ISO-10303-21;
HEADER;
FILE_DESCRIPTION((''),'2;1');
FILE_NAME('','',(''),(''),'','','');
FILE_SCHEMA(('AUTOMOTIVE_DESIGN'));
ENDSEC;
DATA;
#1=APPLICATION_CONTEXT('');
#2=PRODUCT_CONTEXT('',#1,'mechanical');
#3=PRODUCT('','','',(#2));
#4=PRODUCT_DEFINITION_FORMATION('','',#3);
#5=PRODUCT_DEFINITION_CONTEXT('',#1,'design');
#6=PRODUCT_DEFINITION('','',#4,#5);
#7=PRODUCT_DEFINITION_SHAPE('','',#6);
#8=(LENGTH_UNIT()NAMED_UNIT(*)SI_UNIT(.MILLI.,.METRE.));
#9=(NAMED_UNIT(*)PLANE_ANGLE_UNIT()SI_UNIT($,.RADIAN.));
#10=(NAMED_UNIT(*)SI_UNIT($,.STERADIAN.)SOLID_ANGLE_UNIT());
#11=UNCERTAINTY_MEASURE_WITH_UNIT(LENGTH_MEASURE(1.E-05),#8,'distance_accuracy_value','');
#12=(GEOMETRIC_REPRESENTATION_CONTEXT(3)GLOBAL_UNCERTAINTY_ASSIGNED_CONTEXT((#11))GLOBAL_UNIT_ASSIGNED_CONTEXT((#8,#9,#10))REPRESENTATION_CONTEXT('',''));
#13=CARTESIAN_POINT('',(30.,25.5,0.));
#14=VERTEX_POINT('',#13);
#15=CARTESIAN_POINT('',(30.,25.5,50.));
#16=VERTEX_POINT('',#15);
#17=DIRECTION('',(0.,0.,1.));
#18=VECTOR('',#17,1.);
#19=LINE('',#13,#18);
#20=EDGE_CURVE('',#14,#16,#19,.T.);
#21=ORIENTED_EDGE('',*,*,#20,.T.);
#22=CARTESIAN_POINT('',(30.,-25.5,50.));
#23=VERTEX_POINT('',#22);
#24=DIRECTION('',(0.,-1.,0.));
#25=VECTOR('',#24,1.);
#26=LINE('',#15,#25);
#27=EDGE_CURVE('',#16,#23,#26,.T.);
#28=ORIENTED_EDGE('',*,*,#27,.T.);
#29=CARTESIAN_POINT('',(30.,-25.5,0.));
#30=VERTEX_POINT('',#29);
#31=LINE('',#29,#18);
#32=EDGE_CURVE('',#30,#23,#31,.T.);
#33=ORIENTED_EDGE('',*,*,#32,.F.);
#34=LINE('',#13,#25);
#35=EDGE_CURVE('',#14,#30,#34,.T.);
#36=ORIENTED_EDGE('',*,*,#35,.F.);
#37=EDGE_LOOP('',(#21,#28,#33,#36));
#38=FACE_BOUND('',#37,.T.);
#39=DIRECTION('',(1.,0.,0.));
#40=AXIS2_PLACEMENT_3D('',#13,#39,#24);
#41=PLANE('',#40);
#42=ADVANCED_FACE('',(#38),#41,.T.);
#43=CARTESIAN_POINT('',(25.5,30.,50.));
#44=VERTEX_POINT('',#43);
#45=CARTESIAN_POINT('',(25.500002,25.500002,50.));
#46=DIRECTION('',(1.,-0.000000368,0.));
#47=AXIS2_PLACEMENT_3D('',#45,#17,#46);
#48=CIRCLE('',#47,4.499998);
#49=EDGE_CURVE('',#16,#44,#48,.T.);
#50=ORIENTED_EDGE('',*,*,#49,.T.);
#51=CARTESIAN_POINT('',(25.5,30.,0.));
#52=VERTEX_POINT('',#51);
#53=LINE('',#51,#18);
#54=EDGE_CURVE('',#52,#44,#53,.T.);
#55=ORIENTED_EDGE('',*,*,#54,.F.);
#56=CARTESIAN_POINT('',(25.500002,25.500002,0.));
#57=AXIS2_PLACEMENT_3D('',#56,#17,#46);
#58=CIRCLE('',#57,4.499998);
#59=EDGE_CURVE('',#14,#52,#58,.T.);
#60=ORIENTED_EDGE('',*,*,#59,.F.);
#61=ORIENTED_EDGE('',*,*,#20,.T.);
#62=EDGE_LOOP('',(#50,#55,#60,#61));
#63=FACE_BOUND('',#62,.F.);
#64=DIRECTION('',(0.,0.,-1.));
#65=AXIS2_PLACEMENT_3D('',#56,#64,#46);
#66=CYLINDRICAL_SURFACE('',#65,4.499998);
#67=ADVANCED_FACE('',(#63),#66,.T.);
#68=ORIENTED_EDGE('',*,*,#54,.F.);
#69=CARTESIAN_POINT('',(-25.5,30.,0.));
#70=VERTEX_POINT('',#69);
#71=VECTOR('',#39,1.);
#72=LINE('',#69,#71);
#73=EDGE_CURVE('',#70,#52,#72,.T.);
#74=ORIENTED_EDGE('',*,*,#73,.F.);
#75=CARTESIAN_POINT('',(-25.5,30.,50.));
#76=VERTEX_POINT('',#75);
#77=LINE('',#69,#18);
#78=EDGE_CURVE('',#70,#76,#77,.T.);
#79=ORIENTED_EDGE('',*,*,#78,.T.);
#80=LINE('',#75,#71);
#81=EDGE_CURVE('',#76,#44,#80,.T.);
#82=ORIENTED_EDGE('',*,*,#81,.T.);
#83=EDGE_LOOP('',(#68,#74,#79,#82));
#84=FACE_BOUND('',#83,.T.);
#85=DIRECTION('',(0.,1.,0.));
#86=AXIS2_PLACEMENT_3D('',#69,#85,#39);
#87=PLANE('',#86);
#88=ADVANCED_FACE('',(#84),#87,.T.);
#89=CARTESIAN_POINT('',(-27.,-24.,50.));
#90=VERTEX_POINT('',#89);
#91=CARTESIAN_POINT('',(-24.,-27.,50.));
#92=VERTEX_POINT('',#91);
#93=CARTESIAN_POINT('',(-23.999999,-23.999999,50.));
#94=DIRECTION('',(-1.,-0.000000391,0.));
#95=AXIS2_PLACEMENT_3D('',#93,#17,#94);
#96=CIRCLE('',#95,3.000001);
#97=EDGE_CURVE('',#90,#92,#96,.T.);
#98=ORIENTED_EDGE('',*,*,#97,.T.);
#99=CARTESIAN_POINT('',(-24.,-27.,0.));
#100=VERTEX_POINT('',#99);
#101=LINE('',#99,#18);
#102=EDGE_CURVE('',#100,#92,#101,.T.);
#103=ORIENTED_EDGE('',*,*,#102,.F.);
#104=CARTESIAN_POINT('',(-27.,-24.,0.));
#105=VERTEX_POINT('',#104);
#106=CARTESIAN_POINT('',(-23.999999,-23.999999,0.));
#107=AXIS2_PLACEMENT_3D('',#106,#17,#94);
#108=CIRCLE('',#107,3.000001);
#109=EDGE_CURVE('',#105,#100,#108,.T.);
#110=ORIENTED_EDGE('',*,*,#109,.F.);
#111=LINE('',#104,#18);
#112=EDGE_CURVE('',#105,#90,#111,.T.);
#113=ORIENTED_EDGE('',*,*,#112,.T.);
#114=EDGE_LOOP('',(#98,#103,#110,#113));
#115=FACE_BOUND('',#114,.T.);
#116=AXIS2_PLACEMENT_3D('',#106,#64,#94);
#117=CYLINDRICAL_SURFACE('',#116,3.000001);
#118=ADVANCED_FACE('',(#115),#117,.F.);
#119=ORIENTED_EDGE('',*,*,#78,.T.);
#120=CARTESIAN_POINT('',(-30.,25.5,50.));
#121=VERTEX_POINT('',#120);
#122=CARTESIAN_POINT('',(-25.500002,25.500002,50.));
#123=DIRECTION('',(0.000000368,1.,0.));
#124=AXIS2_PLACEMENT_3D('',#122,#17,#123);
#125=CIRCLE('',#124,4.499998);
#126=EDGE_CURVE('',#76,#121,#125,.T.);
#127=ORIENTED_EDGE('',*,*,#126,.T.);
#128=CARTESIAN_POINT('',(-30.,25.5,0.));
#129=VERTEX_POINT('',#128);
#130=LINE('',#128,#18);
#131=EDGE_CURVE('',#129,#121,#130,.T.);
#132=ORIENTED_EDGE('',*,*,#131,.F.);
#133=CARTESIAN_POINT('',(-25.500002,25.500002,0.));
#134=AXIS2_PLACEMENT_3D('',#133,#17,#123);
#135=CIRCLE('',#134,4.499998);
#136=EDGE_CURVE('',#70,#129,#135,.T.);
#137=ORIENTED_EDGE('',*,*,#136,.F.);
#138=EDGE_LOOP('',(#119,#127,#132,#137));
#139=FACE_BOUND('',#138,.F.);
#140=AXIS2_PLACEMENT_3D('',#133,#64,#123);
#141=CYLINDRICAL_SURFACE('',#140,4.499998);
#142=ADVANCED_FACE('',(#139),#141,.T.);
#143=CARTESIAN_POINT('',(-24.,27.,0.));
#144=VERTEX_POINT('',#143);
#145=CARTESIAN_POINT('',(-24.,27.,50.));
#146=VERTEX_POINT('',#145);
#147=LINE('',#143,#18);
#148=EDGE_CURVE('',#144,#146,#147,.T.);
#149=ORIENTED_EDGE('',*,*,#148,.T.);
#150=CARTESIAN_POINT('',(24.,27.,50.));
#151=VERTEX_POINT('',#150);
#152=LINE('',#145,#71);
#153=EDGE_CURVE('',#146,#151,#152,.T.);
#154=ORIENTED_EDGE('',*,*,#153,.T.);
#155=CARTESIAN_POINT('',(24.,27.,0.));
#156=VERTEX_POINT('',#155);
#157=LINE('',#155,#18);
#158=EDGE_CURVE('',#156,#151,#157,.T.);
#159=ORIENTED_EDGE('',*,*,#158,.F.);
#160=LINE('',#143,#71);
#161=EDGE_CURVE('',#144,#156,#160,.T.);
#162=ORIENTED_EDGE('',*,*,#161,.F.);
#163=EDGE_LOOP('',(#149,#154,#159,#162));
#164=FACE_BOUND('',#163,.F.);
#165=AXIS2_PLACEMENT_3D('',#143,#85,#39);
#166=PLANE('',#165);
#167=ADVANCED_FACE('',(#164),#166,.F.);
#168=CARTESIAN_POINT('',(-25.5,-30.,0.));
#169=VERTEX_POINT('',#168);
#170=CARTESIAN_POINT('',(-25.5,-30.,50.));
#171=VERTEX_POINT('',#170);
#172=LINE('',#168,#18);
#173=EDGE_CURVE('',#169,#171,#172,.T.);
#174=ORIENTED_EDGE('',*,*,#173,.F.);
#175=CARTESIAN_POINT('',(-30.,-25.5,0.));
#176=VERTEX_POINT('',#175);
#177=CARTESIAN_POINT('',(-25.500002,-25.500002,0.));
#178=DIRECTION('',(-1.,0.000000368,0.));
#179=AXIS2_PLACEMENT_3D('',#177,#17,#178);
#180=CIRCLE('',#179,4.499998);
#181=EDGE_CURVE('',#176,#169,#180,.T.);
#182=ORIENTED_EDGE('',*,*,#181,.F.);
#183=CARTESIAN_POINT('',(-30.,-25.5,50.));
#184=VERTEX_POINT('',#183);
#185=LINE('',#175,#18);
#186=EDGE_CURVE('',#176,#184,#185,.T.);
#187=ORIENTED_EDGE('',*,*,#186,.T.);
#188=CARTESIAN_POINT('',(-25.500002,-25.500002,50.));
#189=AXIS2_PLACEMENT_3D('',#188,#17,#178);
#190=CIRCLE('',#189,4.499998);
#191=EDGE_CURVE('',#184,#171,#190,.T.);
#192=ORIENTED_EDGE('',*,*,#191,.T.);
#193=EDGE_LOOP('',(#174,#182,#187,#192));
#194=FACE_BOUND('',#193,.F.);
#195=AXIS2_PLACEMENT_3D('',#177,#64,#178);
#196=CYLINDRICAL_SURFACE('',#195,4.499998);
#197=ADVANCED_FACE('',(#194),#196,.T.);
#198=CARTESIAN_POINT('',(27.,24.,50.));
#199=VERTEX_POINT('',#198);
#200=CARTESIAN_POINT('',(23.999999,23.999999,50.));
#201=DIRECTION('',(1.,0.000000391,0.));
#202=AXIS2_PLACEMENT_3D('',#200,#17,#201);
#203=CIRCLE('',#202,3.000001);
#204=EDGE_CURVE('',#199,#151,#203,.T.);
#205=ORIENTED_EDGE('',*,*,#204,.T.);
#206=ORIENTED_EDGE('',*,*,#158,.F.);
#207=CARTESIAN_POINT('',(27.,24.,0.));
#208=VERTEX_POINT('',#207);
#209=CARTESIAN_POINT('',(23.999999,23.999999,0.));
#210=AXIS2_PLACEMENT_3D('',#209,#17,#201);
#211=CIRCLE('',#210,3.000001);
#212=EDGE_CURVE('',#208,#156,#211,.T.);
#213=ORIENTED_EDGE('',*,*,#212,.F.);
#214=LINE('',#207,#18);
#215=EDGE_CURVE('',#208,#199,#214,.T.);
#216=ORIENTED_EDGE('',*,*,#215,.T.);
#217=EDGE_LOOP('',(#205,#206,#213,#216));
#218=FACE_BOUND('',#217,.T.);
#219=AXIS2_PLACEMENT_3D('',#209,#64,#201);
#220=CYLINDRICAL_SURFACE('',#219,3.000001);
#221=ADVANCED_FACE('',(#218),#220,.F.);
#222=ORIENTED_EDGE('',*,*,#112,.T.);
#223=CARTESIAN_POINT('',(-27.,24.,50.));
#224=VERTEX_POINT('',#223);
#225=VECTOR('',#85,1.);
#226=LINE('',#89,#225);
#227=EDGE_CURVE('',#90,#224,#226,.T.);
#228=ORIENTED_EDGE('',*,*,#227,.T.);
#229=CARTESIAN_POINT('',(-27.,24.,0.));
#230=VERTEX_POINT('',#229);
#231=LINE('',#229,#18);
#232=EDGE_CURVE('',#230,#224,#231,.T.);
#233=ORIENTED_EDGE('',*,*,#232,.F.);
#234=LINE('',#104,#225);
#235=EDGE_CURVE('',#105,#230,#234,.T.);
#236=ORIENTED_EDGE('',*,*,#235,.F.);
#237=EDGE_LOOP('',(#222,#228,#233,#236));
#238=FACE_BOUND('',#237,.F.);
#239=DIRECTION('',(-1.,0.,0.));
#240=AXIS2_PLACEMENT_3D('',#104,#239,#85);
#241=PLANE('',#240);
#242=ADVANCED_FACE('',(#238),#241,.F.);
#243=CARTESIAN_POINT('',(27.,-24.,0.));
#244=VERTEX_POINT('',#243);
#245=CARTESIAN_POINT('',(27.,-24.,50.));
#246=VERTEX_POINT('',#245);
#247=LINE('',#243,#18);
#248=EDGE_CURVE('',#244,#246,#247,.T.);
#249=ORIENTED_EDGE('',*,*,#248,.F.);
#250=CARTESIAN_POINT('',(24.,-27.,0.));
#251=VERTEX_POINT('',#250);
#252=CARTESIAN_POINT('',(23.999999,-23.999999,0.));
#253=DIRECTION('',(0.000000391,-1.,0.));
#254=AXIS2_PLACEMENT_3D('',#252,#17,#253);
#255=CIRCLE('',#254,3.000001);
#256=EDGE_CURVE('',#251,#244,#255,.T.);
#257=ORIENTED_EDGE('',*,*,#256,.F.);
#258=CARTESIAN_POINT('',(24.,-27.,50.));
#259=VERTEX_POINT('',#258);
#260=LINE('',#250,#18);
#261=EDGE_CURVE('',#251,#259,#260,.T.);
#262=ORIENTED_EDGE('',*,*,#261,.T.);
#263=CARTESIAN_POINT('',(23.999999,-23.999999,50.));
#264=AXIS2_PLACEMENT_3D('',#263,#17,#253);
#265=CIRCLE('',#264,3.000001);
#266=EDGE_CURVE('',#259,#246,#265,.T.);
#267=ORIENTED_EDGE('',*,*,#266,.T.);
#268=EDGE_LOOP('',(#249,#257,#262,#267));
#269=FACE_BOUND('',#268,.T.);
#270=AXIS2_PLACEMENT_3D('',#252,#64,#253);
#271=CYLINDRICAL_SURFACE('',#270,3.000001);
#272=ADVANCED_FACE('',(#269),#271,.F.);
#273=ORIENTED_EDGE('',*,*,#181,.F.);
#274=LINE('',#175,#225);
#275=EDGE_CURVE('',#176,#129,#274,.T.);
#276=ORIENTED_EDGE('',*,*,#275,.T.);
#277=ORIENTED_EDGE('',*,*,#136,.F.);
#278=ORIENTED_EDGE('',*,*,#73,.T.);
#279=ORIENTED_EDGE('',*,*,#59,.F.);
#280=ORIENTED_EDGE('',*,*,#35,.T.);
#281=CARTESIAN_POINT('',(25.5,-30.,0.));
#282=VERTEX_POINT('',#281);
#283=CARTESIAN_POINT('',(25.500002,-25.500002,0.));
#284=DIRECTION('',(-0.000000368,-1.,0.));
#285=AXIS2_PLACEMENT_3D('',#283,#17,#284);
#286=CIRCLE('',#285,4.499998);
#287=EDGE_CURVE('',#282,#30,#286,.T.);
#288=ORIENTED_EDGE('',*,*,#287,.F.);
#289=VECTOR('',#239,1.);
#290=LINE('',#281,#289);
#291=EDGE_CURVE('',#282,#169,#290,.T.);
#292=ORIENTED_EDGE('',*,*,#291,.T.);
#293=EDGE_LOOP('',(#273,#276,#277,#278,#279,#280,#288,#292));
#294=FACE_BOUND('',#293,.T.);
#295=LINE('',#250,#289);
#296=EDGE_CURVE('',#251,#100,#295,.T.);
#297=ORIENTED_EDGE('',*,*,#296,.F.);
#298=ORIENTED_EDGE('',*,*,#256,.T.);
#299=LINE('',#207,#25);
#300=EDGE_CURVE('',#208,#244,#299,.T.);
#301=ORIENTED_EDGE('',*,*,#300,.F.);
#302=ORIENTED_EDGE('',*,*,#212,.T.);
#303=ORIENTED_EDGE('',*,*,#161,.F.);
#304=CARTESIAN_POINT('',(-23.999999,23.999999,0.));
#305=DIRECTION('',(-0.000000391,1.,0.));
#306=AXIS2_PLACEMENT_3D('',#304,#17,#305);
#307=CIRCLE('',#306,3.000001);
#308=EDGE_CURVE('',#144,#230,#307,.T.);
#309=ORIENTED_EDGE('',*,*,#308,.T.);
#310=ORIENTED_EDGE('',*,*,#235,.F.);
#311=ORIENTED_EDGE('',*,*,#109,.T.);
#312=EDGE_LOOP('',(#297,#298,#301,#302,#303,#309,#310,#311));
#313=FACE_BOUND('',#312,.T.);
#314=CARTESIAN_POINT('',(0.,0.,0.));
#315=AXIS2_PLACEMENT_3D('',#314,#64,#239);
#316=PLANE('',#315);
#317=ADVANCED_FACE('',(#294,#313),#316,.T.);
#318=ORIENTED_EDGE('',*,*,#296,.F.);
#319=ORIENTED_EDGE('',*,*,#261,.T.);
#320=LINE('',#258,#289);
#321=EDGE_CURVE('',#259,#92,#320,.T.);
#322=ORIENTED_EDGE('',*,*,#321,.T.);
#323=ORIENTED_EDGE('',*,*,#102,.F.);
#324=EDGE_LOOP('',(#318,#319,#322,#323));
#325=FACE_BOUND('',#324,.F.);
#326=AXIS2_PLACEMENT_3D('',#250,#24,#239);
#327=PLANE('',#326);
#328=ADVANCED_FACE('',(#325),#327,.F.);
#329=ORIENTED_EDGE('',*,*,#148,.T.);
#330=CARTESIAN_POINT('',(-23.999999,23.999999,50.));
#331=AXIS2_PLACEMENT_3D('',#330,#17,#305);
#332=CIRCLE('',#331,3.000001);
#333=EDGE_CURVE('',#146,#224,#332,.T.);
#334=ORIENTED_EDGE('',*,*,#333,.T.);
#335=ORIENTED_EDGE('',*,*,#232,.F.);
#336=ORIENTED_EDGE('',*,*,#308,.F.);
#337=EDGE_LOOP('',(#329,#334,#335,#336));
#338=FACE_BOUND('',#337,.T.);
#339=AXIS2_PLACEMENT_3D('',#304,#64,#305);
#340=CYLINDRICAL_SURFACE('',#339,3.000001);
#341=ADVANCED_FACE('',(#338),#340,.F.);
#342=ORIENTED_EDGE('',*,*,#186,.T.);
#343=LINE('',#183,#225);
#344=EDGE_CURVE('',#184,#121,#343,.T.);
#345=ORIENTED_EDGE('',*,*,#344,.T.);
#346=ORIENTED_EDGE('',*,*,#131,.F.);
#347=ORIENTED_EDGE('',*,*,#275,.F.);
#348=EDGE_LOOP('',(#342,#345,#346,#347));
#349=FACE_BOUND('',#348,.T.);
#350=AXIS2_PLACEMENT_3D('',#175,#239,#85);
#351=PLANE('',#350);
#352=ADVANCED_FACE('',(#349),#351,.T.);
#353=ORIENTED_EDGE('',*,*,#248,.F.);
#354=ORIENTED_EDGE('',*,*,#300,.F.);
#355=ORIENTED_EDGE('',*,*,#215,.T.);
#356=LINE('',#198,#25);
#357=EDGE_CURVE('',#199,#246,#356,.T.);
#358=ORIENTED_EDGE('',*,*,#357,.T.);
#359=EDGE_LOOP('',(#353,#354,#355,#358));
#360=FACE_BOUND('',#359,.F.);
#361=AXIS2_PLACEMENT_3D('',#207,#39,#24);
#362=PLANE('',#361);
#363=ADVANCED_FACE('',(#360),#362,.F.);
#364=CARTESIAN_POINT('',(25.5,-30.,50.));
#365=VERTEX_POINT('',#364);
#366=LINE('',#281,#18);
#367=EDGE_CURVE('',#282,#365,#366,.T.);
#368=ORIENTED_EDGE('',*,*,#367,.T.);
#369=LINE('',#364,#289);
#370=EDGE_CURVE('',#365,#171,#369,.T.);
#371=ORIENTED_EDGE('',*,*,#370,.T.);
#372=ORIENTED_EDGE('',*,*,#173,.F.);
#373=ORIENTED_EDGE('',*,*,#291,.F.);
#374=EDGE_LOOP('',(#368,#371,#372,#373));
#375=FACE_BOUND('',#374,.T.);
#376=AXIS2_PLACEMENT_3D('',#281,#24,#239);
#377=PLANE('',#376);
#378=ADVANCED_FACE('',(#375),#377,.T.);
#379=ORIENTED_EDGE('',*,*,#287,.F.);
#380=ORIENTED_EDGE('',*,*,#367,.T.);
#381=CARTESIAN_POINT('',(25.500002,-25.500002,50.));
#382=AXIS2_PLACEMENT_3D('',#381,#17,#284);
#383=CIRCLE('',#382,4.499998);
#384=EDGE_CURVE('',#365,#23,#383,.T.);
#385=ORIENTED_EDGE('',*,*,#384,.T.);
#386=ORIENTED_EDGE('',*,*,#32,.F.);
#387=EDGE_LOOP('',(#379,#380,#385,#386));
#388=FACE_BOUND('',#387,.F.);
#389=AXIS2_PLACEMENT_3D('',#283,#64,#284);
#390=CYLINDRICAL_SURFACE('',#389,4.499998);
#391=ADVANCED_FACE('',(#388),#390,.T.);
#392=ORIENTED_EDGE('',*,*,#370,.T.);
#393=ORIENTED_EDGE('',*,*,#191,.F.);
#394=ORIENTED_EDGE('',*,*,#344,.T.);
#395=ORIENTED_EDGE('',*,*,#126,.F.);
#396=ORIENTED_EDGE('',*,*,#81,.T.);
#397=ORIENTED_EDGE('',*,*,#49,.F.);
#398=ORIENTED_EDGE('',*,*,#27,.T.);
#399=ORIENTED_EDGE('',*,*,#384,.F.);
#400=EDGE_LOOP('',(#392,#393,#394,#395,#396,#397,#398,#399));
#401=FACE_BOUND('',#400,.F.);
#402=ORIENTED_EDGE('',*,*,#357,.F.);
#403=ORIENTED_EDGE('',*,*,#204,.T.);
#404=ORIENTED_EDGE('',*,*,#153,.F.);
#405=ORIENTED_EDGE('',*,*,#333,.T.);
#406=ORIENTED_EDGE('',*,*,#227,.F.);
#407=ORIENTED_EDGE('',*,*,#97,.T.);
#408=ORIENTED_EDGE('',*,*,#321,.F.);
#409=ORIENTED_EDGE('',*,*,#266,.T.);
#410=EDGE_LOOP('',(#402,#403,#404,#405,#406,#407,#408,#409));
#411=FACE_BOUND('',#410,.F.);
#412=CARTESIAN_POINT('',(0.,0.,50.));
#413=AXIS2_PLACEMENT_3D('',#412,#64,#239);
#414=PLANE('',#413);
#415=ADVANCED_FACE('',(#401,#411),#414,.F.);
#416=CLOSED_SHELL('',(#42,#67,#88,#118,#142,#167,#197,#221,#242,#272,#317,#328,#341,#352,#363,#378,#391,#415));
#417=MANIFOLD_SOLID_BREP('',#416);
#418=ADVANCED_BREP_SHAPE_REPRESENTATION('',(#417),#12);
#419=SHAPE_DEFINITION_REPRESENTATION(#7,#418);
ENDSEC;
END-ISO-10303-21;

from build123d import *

# Parameters (mm, degrees)
EXTRUDE_DEPTH = 50


with BuildPart() as part:
    # Sketch → Extrude (new body)
    with BuildSketch(Plane.XY):
        with BuildLine():
            Line((-25.5, 30), (25.5, 30))
            ThreePointArc((30, 25.5), (28.681981, 28.681981), (25.5, 30))
            Line((30, 25.5), (30, -25.5))
            ThreePointArc((25.5, -30), (28.681981, -28.681981), (30, -25.5))
            Line((25.5, -30), (-25.5, -30))
            ThreePointArc((-30, -25.5), (-28.681981, -28.681981), (-25.5, -30))
            Line((-30, -25.5), (-30, 25.5))
            ThreePointArc((-25.5, 30), (-28.681981, 28.681981), (-30, 25.5))
        make_face()
        with BuildLine():
            Line((-24, 27), (24, 27))
            ThreePointArc((27, 24), (26.12132, 26.12132), (24, 27))
            Line((27, 24), (27, -24))
            ThreePointArc((24, -27), (26.12132, -26.12132), (27, -24))
            Line((24, -27), (-24, -27))
            ThreePointArc((-27, -24), (-26.12132, -26.12132), (-24, -27))
            Line((-27, -24), (-27, 24))
            ThreePointArc((-24, 27), (-26.12132, 26.12132), (-27, 24))
        make_face(mode=Mode.SUBTRACT)
    extrude(amount=EXTRUDE_DEPTH)


solid = part.part
